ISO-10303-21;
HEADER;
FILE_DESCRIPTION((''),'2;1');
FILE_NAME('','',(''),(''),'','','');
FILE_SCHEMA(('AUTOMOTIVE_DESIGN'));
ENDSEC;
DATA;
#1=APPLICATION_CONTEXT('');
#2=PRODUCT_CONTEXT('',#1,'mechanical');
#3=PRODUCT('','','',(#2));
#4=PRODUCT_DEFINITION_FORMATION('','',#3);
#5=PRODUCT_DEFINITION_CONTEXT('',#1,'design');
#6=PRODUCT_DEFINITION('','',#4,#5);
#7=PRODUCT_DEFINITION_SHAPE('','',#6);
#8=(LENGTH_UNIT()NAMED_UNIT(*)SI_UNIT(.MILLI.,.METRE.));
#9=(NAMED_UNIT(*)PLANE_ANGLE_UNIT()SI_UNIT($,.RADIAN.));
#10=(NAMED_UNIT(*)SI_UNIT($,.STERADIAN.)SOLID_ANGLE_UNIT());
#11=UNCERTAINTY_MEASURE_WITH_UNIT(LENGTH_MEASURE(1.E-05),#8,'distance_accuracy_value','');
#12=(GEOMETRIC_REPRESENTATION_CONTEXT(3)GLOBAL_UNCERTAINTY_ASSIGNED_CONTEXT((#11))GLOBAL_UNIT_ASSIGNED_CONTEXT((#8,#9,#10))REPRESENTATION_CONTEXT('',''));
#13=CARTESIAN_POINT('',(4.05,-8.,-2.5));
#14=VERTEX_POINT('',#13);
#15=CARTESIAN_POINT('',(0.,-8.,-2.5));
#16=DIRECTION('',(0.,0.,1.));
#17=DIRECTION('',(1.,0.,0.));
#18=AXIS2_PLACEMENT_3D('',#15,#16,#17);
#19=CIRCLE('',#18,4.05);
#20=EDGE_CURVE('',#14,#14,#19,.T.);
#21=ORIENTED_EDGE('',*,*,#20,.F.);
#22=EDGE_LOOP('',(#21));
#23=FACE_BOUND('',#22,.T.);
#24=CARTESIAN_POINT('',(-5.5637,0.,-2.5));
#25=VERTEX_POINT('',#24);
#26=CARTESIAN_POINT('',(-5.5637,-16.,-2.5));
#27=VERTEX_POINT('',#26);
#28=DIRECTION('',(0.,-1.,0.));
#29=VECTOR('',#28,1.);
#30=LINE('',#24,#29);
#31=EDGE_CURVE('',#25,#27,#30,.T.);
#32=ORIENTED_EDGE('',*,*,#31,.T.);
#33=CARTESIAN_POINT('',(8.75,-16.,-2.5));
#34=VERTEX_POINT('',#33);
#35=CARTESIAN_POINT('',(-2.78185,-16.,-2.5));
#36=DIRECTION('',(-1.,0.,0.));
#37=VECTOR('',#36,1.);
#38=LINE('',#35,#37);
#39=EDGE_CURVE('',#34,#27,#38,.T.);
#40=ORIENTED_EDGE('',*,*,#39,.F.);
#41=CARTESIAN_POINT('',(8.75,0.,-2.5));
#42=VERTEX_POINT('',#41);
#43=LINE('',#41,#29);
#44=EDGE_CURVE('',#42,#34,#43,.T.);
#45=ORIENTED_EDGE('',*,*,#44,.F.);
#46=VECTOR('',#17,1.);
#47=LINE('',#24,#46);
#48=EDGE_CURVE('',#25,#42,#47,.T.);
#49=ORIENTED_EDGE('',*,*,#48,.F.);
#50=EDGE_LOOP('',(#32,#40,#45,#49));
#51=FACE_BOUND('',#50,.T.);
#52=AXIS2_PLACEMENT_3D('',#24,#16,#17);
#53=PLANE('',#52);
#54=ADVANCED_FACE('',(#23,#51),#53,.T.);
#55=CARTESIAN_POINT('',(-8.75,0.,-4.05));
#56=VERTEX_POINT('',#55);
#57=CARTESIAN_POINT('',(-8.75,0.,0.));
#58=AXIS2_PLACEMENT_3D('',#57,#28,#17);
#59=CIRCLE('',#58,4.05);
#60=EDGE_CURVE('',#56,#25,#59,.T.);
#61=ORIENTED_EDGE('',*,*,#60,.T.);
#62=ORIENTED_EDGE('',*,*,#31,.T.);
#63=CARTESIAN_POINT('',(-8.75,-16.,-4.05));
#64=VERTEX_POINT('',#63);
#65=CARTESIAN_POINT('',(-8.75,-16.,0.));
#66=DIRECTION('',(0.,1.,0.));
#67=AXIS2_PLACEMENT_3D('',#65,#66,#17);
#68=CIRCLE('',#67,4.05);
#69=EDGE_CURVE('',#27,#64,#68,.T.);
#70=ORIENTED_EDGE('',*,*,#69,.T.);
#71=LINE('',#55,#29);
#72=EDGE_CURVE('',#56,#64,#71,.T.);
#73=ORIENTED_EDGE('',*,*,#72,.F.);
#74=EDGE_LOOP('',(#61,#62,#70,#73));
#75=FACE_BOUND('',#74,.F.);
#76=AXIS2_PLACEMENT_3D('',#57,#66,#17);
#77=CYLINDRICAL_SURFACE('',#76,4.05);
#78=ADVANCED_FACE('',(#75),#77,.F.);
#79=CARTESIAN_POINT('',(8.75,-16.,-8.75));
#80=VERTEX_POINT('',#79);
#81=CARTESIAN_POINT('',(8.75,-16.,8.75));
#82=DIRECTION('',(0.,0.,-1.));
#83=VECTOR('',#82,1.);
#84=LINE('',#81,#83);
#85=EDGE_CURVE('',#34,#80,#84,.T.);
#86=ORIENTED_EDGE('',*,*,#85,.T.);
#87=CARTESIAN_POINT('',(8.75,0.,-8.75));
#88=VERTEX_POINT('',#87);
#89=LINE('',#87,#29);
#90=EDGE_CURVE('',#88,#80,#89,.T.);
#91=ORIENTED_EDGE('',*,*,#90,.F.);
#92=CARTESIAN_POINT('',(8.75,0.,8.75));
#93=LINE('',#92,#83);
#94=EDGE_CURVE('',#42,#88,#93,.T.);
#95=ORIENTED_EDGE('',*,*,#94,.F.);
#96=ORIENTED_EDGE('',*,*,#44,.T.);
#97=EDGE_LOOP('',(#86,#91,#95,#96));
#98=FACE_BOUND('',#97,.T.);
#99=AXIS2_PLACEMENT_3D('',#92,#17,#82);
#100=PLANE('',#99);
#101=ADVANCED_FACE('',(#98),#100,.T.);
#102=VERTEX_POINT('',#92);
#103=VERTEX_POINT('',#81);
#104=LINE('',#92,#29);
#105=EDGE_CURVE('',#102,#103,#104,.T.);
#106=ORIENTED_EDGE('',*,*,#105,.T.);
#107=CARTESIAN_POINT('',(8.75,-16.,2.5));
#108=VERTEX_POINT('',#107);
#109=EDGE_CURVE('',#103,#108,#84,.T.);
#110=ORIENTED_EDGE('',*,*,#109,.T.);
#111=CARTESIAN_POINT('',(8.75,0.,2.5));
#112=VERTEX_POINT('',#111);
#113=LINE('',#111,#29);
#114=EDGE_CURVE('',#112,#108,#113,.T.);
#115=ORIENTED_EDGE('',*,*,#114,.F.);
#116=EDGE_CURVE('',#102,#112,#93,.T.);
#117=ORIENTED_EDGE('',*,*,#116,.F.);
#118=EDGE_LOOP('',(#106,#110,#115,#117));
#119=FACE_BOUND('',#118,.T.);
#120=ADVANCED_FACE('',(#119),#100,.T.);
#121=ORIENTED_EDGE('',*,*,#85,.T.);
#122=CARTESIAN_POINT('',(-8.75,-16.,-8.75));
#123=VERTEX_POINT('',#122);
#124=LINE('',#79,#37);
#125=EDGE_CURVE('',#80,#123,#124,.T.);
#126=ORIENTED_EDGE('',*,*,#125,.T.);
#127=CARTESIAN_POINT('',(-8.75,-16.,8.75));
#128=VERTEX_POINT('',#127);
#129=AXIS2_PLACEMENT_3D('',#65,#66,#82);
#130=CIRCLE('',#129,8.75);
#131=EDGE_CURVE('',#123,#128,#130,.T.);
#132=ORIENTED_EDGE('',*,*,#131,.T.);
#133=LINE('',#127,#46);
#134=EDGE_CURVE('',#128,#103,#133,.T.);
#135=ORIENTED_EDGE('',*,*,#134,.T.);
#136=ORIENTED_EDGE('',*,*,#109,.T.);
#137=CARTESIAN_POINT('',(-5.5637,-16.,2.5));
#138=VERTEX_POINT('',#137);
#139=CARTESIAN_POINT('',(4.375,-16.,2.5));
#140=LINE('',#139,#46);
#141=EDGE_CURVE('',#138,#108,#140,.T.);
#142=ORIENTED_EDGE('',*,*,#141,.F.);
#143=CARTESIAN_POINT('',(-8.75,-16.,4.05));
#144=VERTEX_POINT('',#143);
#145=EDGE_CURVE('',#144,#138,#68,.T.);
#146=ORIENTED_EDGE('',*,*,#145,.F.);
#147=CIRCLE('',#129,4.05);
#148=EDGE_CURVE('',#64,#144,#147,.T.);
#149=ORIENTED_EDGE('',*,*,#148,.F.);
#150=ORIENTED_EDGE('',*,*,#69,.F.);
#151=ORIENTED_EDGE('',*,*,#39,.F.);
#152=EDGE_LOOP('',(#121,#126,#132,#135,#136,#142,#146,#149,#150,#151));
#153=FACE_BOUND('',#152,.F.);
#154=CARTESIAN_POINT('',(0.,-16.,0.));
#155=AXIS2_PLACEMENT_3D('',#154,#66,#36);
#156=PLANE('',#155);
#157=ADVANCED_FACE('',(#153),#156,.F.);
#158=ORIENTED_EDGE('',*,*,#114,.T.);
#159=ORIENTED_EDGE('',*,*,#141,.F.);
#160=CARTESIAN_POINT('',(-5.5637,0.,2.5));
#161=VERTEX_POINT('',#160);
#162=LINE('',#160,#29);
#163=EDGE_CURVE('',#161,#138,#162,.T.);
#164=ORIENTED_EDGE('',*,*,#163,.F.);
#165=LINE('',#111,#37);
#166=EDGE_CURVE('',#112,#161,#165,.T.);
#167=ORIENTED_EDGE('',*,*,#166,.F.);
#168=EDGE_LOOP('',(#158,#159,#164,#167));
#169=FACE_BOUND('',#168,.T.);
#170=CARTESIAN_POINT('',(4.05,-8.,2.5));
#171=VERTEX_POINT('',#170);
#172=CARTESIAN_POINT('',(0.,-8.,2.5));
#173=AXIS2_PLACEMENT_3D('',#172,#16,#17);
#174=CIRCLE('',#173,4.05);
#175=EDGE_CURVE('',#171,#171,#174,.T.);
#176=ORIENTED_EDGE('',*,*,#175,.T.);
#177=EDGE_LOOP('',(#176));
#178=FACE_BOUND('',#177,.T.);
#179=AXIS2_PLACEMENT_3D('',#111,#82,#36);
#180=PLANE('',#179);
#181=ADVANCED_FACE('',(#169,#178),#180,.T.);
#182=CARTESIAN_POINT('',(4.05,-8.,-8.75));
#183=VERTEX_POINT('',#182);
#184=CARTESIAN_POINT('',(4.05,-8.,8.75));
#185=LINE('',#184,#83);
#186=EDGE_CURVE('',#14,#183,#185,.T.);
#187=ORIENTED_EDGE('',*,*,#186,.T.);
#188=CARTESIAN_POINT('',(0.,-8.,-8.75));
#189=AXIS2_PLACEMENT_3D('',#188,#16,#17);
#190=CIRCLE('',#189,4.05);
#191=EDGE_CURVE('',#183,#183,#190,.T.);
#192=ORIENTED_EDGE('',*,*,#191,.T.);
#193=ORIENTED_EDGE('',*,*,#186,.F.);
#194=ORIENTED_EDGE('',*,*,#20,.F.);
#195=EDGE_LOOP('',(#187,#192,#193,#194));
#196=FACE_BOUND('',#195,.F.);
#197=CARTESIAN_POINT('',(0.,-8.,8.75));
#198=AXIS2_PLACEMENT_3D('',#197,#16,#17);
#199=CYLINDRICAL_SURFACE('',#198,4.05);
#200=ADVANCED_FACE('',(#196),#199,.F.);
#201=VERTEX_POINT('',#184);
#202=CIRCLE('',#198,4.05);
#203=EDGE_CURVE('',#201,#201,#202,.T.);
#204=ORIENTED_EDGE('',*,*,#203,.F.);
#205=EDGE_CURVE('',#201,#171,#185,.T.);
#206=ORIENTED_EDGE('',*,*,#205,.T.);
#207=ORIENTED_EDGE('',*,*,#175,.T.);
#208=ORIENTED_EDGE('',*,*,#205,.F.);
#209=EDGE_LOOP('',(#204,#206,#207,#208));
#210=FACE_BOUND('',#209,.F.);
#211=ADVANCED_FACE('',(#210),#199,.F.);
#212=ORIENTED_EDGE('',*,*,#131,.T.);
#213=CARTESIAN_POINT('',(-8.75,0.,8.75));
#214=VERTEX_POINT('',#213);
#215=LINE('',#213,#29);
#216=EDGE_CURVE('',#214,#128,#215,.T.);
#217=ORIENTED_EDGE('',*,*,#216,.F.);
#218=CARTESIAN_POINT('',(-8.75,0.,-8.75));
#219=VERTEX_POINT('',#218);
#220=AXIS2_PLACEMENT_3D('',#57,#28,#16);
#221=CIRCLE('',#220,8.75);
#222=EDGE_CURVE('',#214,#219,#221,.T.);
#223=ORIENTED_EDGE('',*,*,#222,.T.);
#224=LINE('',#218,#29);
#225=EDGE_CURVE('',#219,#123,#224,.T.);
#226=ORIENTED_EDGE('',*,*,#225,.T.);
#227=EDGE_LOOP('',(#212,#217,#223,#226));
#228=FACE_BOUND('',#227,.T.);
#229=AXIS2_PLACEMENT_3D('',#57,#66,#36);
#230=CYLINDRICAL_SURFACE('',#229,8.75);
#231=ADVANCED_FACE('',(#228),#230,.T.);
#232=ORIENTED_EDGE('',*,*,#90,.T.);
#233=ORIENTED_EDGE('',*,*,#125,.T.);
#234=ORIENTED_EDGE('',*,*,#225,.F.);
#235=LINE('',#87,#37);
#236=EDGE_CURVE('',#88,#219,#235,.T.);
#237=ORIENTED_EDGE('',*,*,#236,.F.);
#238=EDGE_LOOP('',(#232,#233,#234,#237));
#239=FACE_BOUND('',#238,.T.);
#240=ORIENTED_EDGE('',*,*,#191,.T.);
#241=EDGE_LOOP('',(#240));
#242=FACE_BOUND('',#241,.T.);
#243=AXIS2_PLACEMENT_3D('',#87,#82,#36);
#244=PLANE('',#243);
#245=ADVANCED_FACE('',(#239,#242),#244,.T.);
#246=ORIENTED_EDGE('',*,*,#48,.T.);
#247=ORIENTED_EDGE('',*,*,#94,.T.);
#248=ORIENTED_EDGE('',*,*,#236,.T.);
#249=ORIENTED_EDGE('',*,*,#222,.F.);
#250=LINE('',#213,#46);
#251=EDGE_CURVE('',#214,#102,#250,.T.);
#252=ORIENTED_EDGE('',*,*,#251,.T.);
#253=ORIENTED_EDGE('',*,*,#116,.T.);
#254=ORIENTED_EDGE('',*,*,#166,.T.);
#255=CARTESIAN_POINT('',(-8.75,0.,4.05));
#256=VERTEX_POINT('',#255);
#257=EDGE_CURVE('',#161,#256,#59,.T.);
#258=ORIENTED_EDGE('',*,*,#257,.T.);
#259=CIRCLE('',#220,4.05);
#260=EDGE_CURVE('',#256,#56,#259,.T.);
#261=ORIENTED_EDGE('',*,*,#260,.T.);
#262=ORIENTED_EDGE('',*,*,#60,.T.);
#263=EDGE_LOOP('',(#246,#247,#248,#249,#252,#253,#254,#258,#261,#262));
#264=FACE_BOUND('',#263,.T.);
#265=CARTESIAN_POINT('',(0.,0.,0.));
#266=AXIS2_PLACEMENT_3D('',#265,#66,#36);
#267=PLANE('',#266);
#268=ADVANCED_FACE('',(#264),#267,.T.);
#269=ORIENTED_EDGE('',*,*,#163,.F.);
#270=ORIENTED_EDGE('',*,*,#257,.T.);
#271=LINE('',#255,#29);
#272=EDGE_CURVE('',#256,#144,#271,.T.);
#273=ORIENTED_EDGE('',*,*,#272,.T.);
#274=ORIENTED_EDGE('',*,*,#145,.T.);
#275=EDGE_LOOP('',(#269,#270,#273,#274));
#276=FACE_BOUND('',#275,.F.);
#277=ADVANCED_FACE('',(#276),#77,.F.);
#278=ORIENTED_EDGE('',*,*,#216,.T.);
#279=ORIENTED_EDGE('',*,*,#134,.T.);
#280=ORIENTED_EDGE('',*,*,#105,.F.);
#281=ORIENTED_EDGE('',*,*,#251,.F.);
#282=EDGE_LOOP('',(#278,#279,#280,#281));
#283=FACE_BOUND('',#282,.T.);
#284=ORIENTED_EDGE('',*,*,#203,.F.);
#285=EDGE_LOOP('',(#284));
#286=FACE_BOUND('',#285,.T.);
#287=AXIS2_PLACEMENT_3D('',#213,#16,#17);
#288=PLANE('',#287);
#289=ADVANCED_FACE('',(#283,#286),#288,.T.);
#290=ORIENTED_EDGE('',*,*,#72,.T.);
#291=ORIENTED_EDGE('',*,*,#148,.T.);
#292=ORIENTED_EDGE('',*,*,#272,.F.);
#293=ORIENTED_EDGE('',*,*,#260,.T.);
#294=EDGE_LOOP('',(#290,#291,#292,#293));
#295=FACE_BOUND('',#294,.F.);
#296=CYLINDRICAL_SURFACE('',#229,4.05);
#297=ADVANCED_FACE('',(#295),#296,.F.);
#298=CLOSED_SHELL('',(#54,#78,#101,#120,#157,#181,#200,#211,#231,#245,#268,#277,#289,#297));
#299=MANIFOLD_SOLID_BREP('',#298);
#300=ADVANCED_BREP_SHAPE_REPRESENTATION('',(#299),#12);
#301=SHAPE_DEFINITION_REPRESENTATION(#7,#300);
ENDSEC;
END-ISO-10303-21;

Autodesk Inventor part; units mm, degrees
ref_plane "YZ Plane" through (0, 0, 0) normal (1, 0, 0) x (0, 1, 0)
ref_plane "XZ Plane" through (0, 0, 0) normal (0, 1, 0) x (-1, 0, 0)
ref_plane "XY Plane" through (0, 0, 0) normal (0, 0, 1) x (1, 0, 0)
sketch "Sketch1" plane through (0, 0, 0) normal (0, 1, 0) x (-1, 0, 0)
  point P0 (0, 0)
sketch "Sketch2" plane through (0, 0, 0) normal (0, 1, 0) x (-1, 0, 0)
  point P0 (0, 0)
sketch "Sketch3" plane through (0, 0, 0) normal (0, 1, 0) x (-1, 0, 0)
  line L0 (0, 0) -> (0, -8.75) construction
  line L1 (0, 0) -> (0, 8.75) construction
  line L2 (8.75, 8.75) -> (-8.75, 8.75)
  line L3 (-8.75, 8.75) -> (-8.75, -8.75)
  line L4 (-8.75, -8.75) -> (8.75, -8.75)
  line L5 (8.75, -8.75) -> (8.75, 8.75)
  circle A0 centre (8.75, 0) radius 8.75
  circle A1 centre (8.75, 0) radius 4.05
  line L6 (0, 0) -> (4.05, 0) construction
  dimension "d0" = 8.75
  dimension "d1" = 8.75
  dimension "d2" = 17.5
  dimension "d3" = 17.5
  dimension "d7" = 8.1
  dimension "d9" = 4.05
sketch "Sketch4" plane through (0, 0, 0) normal (0, 1, 0) x (-1, 0, 0)
  point P0 (0, 0)
sketch "Sketch5" plane through (0, 0, 0) normal (0, 1, 0) x (-1, 0, 0)
  point P0 (0, 0)
extrude "Extrusion2" add sketch "Sketch3" against normal blind 16 contours A0 L4 L3 L2 | A0 L5 A1 | L5 A1 A0 | L5 A1 picked at (7.639, -0.7669)
sketch "Sketch6" plane through (0, 0, 0) normal (0, 1, 0) x (1, 0, 0)
  line L0 (-8.75, 4.05) -> (-8.75, -4.05) projected
  circle A0 centre (-8.75, 0) radius 4.05
  point P0 (0, 0)
sketch "Sketch7" plane through (0, 0, 0) normal (0, 1, 0) x (1, 0, 0)
  line L0 (-8.75, 4.05) -> (-8.75, -4.05) construction
  circle A0 centre (-8.75, 0) radius 4.05 construction
  arc A1 (-8.75, 4.05) -> (-8.75, -4.05) centre (-8.75, 0) ccw construction
  arc A2 (-8.75, 8.75) -> (-8.75, -8.75) centre (-8.75, 0) ccw construction
  point P0 (0, 0)
  dimension "d12" = 8.1
extrude "Extrusion3" cut sketch "Sketch6" against normal blind 16
sketch "Sketch8" plane through (-8.75, 0, 8.75) normal (0, 0, 1) x (1, 0, 0)
  line L0 (17.5, -16) -> (0, -16) construction
  line L1 (8.75, -16) -> (8.75, 0) construction
  circle A0 centre (8.75, -8) radius 4.05
  dimension "d15" = 8.1
extrude "Extrusion4" cut sketch "Sketch8" against normal up to next
sketch "Sketch9" plane through (0, 0, 0) normal (0, 1, 0) x (1, 0, 0)
  point P0 (0, 0)
sketch "Sketch10" plane through (0, 0, 0) normal (0, 1, 0) x (1, 0, 0)
  point P0 (0, 0)
sketch "Sketch11" plane through (0, 0, 0) normal (0, 1, 0) x (1, 0, 0)
  point P0 (0, 0)
sketch "Sketch12" plane through (0, 0, 0) normal (0, 1, 0) x (1, 0, 0)
  line L0 (8.75, 8.75) -> (8.75, -8.75) construction
  line L1 (8.75, 8.75) -> (8.75, 2.5) construction
  line L2 (8.75, 2.5) -> (8.75, -2.5) construction
  line L3 (8.75, -2.5) -> (8.75, -8.75) construction
  circle A0 centre (-8.75, 0) radius 4.05 projected
  line L4 (8.75, -2.5) -> (-5.5637, -2.5)
  line L5 (-5.5637, -2.5) -> (-5.5637, 2.5)
  line L6 (-5.5637, 2.5) -> (8.75, 2.5)
  line L7 (8.75, 2.5) -> (8.75, -2.5)
  point P0 (0, 0)
  dimension "d18" = 6.25
  dimension "d19" = 5
  dimension "d20" = 6.25
extrude "Extrusion5" cut sketch "Sketch12" against normal up to next contours A0 L5 | A0 L6 L7 L4 picked at (-5.4064, -0.5793)
properties part number "base and bar clamp"
